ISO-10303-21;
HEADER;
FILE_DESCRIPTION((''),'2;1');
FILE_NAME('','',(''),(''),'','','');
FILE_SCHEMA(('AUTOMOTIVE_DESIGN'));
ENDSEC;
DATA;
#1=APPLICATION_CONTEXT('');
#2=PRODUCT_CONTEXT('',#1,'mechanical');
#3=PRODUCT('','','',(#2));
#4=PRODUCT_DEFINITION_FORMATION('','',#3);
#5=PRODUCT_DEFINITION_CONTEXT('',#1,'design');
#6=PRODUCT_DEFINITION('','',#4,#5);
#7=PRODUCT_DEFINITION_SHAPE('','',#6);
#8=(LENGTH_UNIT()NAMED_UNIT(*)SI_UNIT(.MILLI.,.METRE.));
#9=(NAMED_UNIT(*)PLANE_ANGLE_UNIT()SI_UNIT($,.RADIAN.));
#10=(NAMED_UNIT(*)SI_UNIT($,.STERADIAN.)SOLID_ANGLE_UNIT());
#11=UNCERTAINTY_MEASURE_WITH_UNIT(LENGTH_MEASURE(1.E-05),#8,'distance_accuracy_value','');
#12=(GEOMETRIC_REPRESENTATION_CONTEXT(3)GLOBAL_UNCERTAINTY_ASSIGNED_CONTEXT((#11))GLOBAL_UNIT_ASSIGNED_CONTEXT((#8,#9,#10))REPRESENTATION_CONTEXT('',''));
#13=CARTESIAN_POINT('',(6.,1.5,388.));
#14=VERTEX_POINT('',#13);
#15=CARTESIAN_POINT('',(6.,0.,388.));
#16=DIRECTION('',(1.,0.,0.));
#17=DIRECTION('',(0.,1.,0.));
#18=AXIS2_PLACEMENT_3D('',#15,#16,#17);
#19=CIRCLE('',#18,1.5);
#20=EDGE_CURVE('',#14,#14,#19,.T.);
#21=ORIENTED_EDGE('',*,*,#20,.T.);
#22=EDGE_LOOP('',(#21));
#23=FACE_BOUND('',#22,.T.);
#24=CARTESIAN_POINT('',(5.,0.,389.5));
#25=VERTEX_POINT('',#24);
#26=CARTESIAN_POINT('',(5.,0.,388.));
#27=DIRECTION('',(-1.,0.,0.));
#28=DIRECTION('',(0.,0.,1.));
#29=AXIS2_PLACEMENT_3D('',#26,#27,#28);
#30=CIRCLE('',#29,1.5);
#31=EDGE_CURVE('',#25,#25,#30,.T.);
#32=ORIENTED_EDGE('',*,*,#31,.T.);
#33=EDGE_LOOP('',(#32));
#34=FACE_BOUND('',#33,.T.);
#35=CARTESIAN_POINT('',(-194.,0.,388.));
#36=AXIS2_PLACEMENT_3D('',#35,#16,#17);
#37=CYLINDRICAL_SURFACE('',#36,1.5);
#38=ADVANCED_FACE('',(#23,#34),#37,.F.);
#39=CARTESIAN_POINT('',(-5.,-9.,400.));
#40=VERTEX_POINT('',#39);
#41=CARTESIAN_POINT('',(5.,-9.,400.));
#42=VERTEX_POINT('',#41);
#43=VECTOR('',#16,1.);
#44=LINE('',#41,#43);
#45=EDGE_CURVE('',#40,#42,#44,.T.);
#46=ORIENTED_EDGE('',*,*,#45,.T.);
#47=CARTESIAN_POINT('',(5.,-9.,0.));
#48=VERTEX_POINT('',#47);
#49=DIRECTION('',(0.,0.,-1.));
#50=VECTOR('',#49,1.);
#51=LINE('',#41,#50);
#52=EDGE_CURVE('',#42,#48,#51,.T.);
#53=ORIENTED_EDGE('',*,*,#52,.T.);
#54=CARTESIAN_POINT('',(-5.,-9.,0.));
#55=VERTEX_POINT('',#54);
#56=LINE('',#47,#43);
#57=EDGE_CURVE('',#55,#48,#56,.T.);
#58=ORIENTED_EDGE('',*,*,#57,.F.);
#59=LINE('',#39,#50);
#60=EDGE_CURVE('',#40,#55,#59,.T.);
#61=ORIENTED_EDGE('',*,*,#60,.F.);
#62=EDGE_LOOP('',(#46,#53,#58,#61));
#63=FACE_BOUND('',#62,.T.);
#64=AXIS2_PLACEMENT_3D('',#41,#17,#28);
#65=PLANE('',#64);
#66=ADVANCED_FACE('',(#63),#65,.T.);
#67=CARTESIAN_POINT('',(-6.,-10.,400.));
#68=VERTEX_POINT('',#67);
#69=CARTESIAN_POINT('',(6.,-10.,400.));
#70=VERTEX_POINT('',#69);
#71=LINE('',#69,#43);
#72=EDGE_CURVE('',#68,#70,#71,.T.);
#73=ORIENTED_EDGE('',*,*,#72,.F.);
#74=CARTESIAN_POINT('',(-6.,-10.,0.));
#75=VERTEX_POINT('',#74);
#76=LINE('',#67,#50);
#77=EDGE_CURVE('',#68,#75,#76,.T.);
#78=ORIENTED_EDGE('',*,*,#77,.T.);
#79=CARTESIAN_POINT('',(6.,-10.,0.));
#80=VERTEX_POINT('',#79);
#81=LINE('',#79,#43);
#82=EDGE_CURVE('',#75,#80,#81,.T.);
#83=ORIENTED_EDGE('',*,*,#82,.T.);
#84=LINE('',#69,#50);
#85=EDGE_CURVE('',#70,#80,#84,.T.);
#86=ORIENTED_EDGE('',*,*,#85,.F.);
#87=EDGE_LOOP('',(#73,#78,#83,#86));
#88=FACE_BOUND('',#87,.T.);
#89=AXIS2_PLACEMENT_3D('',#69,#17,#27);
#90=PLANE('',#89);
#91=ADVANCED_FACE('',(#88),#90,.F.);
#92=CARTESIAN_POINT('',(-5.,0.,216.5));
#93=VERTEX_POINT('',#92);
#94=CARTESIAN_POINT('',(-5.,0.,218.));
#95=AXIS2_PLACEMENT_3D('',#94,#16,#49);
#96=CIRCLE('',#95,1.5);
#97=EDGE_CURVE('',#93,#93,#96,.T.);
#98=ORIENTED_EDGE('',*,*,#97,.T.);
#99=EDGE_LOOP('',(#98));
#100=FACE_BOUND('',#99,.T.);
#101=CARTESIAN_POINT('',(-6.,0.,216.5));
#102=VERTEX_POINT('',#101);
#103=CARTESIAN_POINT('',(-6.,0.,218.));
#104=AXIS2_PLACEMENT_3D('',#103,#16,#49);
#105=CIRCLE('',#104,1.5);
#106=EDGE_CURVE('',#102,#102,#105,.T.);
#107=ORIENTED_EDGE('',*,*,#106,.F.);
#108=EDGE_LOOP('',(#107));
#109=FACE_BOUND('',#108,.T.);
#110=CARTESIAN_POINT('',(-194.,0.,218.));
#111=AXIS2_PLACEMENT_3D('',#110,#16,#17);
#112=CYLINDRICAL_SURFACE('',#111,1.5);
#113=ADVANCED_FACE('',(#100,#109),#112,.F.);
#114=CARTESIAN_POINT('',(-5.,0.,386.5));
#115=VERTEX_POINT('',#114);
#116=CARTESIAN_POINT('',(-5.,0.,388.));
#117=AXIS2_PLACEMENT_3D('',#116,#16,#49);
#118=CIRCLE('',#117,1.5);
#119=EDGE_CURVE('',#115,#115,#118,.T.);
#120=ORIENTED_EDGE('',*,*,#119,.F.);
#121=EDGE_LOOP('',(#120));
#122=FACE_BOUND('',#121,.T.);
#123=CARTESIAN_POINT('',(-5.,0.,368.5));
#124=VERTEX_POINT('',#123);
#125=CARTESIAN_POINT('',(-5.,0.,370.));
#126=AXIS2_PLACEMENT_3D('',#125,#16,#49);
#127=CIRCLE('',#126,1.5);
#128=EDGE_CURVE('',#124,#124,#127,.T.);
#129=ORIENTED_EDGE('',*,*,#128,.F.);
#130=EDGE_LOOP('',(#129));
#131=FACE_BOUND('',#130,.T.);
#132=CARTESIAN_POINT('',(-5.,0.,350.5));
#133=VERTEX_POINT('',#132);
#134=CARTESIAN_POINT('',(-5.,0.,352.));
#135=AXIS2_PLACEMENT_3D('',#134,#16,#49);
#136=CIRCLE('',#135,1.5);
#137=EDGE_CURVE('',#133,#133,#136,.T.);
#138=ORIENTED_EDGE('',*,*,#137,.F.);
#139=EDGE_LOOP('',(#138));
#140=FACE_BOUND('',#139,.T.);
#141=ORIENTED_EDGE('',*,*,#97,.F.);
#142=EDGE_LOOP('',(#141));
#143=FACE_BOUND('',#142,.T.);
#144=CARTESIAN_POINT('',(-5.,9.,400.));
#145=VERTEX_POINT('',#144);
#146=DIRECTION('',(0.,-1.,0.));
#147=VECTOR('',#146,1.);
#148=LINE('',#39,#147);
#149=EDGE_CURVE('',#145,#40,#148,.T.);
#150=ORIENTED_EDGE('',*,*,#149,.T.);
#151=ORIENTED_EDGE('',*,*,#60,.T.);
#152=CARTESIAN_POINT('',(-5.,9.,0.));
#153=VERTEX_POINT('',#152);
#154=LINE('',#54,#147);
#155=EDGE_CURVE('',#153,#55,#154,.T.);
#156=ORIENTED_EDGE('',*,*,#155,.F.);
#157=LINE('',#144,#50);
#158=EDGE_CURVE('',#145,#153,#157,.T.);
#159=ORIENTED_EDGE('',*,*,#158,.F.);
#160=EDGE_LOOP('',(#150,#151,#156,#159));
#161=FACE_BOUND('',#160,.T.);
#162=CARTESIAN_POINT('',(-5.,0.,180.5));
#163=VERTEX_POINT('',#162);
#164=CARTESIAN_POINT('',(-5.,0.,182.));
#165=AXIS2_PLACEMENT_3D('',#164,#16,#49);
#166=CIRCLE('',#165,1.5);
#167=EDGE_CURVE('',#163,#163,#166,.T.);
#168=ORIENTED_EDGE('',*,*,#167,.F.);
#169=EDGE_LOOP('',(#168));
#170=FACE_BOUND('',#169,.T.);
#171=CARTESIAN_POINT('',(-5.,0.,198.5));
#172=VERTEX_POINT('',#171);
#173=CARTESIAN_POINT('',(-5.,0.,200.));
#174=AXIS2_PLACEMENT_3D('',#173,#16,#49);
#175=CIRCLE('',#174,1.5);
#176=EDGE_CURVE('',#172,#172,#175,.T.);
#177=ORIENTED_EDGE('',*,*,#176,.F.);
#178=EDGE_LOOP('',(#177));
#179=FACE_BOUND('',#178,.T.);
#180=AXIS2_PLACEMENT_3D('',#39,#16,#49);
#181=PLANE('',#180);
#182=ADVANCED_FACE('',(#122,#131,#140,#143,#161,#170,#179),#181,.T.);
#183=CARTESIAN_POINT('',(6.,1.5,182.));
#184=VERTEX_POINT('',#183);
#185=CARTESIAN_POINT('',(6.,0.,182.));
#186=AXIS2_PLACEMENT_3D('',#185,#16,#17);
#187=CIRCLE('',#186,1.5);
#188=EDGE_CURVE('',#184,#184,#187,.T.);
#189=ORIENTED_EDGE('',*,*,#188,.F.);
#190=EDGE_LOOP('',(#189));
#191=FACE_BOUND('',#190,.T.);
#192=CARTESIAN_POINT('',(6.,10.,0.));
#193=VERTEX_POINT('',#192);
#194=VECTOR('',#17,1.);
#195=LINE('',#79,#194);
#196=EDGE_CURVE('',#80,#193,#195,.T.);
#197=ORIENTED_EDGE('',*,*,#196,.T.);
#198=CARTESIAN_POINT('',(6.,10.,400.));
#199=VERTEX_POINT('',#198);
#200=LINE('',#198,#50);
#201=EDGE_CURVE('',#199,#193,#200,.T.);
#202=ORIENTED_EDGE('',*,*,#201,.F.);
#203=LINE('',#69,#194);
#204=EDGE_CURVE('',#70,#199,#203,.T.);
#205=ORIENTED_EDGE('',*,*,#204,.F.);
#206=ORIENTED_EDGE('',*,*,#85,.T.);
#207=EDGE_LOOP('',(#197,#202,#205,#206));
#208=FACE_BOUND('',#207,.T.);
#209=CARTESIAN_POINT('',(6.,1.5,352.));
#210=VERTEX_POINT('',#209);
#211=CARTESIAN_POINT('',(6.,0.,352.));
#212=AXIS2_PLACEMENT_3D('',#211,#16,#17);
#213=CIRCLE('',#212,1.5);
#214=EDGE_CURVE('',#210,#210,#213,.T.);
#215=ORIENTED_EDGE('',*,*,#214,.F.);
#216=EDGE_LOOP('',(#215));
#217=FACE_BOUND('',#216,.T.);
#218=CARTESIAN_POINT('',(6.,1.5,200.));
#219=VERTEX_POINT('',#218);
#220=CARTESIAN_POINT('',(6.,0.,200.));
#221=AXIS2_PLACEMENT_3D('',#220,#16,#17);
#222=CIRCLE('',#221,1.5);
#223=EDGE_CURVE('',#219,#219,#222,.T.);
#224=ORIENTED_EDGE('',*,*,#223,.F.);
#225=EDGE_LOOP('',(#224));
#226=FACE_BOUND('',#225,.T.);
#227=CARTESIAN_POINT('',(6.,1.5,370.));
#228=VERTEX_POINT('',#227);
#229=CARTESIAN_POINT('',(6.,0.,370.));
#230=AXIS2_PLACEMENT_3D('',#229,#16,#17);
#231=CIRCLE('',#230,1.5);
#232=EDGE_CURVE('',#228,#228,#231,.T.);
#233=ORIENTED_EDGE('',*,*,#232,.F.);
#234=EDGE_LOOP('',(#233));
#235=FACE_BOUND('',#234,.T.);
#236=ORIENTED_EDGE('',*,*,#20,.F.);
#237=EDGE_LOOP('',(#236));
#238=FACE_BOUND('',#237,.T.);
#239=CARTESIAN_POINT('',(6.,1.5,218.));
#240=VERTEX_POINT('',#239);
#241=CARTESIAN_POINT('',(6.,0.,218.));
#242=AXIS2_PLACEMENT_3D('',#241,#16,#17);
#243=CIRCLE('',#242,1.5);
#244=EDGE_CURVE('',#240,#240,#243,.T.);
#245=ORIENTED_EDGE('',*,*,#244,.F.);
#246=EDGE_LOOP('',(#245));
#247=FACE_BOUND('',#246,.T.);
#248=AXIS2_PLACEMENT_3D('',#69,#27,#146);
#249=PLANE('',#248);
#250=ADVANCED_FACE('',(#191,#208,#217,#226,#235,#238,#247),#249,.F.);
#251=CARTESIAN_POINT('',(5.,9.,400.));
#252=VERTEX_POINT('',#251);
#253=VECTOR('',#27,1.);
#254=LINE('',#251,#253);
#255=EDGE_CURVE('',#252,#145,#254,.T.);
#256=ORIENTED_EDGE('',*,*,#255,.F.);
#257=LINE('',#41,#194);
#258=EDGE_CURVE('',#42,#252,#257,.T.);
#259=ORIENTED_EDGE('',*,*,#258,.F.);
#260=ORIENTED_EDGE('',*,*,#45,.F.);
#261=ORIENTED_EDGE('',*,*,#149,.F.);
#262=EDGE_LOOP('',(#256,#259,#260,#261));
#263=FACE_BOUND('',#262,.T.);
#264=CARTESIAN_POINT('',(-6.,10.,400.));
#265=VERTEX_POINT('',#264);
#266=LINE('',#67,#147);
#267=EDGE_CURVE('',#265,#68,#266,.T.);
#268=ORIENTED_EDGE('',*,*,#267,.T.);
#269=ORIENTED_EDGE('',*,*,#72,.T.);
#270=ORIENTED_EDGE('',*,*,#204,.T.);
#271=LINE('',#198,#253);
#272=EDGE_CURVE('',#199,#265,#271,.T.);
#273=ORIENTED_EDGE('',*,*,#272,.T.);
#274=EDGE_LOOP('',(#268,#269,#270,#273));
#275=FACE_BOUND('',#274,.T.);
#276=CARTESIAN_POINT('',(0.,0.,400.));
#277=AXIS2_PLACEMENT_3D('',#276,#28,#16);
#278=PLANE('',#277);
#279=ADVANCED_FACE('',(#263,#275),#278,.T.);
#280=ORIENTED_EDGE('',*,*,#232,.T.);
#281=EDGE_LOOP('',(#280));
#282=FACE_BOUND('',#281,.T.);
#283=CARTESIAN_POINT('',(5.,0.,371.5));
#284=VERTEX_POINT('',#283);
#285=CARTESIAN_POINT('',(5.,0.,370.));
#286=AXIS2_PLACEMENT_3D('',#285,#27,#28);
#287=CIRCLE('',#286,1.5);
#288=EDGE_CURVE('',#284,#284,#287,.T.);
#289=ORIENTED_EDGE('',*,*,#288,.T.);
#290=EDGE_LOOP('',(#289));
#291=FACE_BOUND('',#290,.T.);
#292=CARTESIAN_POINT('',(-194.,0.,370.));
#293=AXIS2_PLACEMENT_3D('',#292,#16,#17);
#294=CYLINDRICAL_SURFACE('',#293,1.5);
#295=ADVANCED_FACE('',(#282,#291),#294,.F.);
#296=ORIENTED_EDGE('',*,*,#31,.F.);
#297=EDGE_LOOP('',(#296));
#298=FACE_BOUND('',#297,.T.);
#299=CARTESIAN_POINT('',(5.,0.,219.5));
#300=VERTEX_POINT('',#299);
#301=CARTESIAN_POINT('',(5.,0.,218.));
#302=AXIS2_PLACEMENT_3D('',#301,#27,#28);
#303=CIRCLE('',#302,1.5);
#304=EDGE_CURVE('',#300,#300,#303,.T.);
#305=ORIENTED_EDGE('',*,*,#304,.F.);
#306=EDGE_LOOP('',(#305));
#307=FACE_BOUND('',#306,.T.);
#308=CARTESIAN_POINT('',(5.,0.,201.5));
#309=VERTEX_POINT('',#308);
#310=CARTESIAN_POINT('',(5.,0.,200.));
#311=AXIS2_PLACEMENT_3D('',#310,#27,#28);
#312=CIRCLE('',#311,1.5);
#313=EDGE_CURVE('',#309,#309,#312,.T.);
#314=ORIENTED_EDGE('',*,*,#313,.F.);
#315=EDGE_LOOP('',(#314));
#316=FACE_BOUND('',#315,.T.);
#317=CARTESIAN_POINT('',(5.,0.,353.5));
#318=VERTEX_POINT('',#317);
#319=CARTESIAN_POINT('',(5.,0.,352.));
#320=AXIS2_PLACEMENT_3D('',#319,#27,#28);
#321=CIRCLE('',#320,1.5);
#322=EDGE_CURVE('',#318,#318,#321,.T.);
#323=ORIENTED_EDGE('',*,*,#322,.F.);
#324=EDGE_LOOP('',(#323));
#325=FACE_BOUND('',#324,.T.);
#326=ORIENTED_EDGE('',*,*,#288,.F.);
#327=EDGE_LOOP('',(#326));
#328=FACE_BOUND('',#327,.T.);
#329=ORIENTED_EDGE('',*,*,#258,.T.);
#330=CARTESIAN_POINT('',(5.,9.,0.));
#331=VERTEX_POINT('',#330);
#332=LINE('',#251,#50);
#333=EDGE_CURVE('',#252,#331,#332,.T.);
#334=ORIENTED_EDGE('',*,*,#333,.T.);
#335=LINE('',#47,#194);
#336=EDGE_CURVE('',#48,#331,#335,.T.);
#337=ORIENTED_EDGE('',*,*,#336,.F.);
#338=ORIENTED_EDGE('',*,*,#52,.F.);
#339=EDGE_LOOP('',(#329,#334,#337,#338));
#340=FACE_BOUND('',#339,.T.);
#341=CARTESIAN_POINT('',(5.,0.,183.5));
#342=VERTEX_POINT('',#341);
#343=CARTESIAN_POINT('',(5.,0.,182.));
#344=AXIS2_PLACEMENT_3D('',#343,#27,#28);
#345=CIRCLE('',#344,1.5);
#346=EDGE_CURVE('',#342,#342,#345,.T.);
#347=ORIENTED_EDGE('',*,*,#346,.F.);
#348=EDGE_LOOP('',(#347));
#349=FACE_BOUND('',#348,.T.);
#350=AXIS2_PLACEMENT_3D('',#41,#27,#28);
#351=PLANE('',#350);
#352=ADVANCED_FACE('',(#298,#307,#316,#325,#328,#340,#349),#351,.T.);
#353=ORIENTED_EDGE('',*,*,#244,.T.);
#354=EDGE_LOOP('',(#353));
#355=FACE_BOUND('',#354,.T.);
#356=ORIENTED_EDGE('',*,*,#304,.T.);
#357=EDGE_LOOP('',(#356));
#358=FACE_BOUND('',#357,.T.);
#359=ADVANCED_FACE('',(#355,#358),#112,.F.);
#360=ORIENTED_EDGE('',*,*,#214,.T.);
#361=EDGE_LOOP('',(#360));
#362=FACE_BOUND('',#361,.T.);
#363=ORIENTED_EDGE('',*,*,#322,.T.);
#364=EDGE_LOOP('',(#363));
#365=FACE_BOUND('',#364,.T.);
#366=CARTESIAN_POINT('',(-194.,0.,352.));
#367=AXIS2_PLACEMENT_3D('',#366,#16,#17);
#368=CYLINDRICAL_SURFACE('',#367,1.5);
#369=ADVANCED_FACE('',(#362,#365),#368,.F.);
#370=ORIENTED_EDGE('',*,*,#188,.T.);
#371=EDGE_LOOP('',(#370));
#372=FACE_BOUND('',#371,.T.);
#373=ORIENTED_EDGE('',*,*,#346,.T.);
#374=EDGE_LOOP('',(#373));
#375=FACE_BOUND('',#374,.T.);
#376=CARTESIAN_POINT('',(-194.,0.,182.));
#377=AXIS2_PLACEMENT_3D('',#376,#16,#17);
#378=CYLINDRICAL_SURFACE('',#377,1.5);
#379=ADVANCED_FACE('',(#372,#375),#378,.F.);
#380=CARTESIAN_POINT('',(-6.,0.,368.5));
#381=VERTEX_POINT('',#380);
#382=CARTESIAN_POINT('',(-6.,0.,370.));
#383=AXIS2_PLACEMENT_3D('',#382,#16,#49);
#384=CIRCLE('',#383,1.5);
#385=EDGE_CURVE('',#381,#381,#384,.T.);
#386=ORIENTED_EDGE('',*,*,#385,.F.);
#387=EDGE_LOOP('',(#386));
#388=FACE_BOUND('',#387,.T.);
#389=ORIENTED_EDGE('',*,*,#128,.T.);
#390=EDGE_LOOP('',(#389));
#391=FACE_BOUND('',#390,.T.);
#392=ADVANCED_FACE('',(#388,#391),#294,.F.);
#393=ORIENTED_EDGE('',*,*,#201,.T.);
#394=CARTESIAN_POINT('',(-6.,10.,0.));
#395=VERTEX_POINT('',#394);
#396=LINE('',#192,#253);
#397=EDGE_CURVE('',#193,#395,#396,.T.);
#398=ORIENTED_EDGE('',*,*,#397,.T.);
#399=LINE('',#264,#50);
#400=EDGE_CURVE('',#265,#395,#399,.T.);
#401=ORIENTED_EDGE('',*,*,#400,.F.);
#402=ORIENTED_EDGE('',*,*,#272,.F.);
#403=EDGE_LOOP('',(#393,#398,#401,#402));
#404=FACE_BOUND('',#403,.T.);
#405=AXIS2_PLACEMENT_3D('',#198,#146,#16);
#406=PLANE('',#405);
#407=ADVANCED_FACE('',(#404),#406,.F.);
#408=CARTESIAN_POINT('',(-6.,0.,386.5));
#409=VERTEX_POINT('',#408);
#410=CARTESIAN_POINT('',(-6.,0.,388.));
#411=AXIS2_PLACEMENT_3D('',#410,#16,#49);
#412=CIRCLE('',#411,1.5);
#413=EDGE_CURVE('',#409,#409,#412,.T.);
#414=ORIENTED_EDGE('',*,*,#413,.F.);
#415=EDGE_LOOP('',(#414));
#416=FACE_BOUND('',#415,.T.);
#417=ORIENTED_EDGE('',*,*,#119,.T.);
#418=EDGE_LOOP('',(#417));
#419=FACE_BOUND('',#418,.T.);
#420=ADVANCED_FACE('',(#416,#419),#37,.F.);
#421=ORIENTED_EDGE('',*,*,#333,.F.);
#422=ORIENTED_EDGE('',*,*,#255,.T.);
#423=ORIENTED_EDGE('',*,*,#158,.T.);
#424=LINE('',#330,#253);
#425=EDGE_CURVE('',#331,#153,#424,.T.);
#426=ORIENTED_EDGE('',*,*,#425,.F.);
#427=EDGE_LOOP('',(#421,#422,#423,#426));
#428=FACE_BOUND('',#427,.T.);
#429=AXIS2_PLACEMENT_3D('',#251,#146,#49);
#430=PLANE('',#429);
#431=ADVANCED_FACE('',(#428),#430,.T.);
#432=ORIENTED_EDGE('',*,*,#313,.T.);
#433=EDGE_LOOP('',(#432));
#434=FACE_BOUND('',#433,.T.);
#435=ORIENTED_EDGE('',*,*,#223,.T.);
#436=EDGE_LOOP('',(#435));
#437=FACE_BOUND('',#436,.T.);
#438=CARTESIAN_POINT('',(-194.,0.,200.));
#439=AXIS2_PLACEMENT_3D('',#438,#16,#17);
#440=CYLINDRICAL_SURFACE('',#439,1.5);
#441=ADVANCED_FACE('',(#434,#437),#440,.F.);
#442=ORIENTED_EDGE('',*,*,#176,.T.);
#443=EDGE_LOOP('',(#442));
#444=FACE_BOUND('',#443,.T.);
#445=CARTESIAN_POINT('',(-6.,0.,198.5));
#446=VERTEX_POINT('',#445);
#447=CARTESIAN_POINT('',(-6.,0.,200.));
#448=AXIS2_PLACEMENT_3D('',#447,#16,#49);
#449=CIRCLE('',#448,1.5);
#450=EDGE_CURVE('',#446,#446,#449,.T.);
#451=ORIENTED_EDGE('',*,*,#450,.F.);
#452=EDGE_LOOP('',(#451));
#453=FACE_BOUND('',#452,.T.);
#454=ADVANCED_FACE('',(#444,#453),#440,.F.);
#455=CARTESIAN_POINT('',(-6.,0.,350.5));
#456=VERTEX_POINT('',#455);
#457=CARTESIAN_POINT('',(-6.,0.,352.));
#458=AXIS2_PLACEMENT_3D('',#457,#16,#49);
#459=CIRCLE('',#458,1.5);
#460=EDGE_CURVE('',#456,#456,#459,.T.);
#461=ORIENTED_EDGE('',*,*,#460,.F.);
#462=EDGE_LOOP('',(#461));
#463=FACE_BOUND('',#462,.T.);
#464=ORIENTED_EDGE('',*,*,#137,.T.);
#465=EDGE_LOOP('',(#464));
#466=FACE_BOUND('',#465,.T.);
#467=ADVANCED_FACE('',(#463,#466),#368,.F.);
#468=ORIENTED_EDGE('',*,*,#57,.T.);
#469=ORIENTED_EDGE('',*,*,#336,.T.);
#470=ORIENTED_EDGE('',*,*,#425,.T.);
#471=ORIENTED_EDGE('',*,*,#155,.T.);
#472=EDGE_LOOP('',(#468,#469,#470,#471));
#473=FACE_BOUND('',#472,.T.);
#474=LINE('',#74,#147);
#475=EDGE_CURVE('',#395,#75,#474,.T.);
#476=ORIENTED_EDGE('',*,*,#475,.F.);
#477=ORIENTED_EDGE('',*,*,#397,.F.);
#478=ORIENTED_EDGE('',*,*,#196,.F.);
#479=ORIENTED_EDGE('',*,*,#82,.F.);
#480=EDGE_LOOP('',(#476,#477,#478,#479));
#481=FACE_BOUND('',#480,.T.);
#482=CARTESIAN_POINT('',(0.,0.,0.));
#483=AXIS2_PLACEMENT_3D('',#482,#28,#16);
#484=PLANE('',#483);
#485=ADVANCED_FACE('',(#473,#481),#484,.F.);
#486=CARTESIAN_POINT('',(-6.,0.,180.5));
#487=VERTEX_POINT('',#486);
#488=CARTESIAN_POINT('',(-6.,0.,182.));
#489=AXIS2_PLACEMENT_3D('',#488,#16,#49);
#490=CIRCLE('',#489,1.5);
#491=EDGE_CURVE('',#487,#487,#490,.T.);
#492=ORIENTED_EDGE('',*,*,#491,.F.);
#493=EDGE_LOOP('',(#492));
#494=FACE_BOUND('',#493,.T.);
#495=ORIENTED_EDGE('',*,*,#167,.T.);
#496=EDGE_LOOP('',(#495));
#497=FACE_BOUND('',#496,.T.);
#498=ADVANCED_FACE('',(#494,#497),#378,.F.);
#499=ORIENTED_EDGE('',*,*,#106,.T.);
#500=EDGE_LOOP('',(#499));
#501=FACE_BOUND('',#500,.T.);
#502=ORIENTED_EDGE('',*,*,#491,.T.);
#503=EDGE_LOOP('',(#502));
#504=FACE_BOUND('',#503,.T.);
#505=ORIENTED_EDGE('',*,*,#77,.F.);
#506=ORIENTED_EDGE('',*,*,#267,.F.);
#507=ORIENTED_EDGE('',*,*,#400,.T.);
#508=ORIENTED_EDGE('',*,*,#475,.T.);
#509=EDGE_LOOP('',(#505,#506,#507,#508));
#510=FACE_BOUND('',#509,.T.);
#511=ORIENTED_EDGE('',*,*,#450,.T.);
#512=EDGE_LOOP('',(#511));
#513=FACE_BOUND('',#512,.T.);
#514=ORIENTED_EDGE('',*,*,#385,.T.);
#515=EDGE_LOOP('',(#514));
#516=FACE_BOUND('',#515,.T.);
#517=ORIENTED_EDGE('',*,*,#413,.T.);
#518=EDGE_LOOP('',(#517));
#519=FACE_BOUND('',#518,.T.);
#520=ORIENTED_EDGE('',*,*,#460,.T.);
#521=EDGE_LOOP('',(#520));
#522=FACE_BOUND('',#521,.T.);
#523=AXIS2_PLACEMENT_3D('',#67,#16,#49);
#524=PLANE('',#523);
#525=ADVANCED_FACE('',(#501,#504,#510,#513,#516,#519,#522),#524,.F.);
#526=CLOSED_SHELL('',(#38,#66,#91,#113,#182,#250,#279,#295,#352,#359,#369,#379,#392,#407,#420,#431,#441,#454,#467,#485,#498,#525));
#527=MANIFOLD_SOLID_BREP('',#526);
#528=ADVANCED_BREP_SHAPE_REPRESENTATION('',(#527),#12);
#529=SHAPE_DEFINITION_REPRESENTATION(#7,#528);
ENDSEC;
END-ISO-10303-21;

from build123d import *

# Parameters (mm, degrees)
SKETCH1_W           = 12
SKETCH1_H           = 20
SKETCH1_W_2         = 10
SKETCH1_H_2         = 18
BOSS_EXTRUDE1_DEPTH = 400
SKETCH2_R           = 1.5
CUT_EXTRUDE1_DEPTH  = 200


with BuildPart() as part:
    # Sketch1 → Boss-Extrude1 (new body)
    with BuildSketch(Plane.XY):
        Rectangle(SKETCH1_W, SKETCH1_H)
        Rectangle(SKETCH1_W_2, SKETCH1_H_2, mode=Mode.SUBTRACT)
    extrude(amount=BOSS_EXTRUDE1_DEPTH)

    # Sketch2 → Cut-Extrude1 (cut)
    with BuildSketch(Plane(origin=(6, 0, 0), x_dir=(0, 0, -1), z_dir=(1, 0, 0))):
        with Locations(Location((-200, 0, 0), (0, 0, 90))):
            Circle(SKETCH2_R)
        with Locations(Location((-182, 0, 0), (0, 0, 90))):
            Circle(SKETCH2_R)
        with Locations(Location((-218, 0, 0), (0, 0, 90))):
            Circle(SKETCH2_R)
        with Locations(Location((-370, 0, 0), (0, 0, 90))):
            Circle(SKETCH2_R)
        with Locations(Location((-388, 0, 0), (0, 0, 90))):
            Circle(SKETCH2_R)
        with Locations(Location((-352, 0, 0), (0, 0, 90))):
            Circle(SKETCH2_R)
    extrude(amount=-CUT_EXTRUDE1_DEPTH, mode=Mode.SUBTRACT)


solid = part.part
